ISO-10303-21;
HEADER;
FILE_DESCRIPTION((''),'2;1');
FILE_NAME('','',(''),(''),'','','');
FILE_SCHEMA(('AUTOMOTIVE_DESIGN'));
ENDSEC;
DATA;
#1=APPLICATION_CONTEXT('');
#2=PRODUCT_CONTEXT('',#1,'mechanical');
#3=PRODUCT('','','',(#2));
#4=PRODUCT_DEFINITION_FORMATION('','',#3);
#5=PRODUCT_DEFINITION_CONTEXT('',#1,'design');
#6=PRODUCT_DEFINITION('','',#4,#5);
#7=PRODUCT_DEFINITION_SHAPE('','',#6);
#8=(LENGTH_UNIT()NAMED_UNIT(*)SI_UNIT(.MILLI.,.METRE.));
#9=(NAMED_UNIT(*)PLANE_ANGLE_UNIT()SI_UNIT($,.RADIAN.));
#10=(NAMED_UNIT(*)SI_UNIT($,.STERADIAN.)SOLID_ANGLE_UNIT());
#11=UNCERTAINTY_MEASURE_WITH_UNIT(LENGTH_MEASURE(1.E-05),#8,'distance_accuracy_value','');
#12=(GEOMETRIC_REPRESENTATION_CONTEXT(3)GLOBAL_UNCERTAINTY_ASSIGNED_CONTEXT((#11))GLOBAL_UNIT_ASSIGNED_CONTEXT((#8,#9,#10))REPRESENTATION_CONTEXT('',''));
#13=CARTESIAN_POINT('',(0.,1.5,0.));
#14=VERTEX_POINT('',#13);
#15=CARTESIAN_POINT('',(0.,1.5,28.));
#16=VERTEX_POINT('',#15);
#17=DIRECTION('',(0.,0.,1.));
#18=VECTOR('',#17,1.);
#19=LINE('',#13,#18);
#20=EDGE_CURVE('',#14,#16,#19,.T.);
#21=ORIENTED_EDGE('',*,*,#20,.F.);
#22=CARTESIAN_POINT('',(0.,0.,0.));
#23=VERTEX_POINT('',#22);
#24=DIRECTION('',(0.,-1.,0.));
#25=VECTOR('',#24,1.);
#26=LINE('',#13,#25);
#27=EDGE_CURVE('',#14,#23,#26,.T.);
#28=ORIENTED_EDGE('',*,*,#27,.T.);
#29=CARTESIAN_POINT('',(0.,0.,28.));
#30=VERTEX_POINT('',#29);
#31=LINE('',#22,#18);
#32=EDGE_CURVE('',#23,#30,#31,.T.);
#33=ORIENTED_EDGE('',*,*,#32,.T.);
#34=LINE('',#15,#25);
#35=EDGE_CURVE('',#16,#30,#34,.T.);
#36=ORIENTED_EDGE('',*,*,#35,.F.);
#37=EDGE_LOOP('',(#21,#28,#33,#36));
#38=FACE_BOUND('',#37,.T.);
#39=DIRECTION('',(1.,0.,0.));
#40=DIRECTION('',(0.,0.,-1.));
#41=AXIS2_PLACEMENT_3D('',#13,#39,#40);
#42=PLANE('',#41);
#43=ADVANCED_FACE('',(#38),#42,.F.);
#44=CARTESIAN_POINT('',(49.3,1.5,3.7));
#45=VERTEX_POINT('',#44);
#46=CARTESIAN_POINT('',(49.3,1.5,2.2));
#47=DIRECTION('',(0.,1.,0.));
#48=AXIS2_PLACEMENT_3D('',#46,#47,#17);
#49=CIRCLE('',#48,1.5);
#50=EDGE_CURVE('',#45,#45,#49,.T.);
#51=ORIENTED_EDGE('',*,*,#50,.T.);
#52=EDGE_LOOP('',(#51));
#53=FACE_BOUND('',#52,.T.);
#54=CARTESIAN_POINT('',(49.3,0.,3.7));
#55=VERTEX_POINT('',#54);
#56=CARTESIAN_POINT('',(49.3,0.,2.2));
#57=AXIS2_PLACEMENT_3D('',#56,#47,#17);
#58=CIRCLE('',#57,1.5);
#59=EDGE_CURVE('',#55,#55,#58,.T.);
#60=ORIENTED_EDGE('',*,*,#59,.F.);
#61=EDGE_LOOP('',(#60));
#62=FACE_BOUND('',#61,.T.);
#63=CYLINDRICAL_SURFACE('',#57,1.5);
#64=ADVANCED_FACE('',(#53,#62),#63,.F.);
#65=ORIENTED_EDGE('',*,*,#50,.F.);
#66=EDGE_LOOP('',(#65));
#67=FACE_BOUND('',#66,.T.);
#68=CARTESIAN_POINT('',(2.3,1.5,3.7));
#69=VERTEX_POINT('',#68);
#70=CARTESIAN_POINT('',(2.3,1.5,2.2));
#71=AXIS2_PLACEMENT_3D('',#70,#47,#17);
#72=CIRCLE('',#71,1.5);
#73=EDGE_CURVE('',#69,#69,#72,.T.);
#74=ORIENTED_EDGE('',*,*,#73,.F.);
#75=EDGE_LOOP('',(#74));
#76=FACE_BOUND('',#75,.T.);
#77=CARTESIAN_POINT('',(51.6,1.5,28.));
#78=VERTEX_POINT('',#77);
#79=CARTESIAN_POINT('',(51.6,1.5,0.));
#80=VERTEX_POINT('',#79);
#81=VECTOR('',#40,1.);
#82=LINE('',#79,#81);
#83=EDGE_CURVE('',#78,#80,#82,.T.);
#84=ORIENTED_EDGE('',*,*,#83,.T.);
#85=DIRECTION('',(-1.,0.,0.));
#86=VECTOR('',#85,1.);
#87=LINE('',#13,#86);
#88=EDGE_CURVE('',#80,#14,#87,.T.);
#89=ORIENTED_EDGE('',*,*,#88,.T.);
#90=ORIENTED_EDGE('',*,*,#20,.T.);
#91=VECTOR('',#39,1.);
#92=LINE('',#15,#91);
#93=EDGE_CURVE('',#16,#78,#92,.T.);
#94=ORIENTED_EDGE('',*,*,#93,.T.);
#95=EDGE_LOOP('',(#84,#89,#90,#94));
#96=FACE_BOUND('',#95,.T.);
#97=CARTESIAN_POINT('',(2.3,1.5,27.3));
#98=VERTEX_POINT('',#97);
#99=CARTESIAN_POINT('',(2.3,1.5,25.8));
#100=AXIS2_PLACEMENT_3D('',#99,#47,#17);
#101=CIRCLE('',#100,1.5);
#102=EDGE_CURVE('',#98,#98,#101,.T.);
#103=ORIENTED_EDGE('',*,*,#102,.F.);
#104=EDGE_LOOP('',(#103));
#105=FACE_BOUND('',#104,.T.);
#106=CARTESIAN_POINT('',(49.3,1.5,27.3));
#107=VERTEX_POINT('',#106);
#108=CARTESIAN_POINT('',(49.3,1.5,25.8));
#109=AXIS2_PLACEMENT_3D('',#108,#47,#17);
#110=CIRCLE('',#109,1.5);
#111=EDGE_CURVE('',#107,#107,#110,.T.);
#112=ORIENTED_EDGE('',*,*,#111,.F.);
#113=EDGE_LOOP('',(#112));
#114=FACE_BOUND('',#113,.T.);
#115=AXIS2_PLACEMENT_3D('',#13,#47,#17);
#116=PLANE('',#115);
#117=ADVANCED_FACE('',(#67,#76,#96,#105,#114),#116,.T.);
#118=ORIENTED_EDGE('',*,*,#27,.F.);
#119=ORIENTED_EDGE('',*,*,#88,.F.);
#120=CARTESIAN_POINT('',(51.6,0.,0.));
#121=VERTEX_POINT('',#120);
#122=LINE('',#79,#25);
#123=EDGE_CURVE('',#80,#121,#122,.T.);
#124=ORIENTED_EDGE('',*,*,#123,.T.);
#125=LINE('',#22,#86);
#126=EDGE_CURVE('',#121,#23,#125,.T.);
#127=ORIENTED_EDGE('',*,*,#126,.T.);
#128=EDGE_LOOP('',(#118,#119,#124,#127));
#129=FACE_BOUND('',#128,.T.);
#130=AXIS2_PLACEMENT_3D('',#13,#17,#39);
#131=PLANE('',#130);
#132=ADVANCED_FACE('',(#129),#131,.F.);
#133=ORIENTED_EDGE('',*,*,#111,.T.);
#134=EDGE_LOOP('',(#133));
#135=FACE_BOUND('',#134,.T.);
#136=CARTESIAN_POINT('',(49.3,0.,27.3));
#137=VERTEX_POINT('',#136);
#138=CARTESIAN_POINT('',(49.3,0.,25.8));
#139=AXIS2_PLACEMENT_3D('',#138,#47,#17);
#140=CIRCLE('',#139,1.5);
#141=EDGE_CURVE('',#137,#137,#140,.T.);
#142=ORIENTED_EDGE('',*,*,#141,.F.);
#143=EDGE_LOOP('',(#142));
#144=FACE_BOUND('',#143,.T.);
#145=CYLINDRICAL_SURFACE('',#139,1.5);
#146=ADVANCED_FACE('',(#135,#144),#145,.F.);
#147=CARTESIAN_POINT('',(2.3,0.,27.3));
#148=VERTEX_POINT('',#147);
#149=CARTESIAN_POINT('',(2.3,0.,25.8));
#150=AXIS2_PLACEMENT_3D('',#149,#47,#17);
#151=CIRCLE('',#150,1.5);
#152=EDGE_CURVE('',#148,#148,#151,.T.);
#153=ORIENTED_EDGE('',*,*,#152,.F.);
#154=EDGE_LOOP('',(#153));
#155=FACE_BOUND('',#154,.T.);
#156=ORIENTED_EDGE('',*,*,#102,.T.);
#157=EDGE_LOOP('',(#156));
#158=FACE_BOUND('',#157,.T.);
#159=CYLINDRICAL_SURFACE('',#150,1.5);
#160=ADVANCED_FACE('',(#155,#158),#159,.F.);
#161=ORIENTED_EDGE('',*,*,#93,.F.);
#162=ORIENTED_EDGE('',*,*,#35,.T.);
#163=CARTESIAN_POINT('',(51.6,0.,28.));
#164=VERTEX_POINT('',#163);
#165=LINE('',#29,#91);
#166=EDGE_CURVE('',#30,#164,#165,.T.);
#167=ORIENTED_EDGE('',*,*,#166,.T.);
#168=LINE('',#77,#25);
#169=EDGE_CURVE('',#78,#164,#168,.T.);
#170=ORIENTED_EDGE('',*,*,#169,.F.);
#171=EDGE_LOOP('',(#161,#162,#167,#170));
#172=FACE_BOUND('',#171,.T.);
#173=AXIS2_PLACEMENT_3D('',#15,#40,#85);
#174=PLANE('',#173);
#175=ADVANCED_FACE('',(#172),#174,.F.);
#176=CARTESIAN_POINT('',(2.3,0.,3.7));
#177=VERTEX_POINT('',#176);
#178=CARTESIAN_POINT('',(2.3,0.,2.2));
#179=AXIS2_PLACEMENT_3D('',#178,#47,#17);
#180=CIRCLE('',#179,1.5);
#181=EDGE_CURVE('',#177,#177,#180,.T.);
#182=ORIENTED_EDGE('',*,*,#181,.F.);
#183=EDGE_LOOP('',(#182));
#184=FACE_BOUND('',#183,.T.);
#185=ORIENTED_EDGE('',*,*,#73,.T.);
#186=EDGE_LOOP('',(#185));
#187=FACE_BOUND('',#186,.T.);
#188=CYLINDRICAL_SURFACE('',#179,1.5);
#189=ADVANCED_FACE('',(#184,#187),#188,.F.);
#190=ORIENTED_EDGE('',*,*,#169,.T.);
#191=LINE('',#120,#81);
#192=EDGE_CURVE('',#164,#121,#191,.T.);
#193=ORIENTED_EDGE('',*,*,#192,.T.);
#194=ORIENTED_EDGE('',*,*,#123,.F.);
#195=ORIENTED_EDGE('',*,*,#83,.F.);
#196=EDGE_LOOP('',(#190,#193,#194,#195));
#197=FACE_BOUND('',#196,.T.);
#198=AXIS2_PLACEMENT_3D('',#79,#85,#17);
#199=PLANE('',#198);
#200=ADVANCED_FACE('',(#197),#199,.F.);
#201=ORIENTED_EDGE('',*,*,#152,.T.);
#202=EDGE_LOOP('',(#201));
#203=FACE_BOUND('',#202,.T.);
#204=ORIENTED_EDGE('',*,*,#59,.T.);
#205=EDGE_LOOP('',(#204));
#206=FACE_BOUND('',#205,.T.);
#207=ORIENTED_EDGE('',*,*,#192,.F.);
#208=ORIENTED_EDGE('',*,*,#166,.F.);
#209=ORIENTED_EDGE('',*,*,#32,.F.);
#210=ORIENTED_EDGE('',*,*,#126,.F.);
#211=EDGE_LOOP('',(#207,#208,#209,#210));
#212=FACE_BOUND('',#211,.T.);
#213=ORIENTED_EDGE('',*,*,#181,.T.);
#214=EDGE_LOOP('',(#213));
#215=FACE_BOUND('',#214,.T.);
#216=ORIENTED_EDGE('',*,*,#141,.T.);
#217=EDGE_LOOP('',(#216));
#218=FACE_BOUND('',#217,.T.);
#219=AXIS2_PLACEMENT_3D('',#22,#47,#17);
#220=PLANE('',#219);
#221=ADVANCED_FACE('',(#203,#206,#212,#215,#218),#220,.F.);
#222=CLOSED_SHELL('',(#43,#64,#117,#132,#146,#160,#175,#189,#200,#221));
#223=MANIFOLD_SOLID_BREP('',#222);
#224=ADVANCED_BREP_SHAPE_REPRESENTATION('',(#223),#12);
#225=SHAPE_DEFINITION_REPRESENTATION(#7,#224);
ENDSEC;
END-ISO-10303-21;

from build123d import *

# Parameters (mm, degrees)
SKETCH1_W           = 51.6
SKETCH1_H           = 28
BOSS_EXTRUDE1_DEPTH = 1.5
SKETCH2_R           = 1.5
CUT_EXTRUDE1_DEPTH  = 1.5


with BuildPart() as part:
    # Sketch1 → Boss-Extrude1 (new body)
    with BuildSketch(Plane(origin=(0, 0, 0), x_dir=(1, 0, 0), z_dir=(0, 1, 0))):
        with Locations((25.8, -14)):
            Rectangle(SKETCH1_W, SKETCH1_H)
    extrude(amount=BOSS_EXTRUDE1_DEPTH)

    # Sketch2 → Cut-Extrude1 (cut)
    with BuildSketch(Plane(origin=(0, 1.5, 0), x_dir=(1, 0, 0), z_dir=(0, 1, 0))):
        with Locations(Location((2.3, -2.2, 0), (0, 0, 270))):
            Circle(SKETCH2_R)
        with Locations(Location((49.3, -2.2, 0), (0, 0, 270))):
            Circle(SKETCH2_R)
        with Locations(Location((49.3, -25.8, 0), (0, 0, 270))):
            Circle(SKETCH2_R)
        with Locations(Location((2.3, -25.8, 0), (0, 0, 270))):
            Circle(SKETCH2_R)
    extrude(amount=-CUT_EXTRUDE1_DEPTH, mode=Mode.SUBTRACT)


solid = part.part
